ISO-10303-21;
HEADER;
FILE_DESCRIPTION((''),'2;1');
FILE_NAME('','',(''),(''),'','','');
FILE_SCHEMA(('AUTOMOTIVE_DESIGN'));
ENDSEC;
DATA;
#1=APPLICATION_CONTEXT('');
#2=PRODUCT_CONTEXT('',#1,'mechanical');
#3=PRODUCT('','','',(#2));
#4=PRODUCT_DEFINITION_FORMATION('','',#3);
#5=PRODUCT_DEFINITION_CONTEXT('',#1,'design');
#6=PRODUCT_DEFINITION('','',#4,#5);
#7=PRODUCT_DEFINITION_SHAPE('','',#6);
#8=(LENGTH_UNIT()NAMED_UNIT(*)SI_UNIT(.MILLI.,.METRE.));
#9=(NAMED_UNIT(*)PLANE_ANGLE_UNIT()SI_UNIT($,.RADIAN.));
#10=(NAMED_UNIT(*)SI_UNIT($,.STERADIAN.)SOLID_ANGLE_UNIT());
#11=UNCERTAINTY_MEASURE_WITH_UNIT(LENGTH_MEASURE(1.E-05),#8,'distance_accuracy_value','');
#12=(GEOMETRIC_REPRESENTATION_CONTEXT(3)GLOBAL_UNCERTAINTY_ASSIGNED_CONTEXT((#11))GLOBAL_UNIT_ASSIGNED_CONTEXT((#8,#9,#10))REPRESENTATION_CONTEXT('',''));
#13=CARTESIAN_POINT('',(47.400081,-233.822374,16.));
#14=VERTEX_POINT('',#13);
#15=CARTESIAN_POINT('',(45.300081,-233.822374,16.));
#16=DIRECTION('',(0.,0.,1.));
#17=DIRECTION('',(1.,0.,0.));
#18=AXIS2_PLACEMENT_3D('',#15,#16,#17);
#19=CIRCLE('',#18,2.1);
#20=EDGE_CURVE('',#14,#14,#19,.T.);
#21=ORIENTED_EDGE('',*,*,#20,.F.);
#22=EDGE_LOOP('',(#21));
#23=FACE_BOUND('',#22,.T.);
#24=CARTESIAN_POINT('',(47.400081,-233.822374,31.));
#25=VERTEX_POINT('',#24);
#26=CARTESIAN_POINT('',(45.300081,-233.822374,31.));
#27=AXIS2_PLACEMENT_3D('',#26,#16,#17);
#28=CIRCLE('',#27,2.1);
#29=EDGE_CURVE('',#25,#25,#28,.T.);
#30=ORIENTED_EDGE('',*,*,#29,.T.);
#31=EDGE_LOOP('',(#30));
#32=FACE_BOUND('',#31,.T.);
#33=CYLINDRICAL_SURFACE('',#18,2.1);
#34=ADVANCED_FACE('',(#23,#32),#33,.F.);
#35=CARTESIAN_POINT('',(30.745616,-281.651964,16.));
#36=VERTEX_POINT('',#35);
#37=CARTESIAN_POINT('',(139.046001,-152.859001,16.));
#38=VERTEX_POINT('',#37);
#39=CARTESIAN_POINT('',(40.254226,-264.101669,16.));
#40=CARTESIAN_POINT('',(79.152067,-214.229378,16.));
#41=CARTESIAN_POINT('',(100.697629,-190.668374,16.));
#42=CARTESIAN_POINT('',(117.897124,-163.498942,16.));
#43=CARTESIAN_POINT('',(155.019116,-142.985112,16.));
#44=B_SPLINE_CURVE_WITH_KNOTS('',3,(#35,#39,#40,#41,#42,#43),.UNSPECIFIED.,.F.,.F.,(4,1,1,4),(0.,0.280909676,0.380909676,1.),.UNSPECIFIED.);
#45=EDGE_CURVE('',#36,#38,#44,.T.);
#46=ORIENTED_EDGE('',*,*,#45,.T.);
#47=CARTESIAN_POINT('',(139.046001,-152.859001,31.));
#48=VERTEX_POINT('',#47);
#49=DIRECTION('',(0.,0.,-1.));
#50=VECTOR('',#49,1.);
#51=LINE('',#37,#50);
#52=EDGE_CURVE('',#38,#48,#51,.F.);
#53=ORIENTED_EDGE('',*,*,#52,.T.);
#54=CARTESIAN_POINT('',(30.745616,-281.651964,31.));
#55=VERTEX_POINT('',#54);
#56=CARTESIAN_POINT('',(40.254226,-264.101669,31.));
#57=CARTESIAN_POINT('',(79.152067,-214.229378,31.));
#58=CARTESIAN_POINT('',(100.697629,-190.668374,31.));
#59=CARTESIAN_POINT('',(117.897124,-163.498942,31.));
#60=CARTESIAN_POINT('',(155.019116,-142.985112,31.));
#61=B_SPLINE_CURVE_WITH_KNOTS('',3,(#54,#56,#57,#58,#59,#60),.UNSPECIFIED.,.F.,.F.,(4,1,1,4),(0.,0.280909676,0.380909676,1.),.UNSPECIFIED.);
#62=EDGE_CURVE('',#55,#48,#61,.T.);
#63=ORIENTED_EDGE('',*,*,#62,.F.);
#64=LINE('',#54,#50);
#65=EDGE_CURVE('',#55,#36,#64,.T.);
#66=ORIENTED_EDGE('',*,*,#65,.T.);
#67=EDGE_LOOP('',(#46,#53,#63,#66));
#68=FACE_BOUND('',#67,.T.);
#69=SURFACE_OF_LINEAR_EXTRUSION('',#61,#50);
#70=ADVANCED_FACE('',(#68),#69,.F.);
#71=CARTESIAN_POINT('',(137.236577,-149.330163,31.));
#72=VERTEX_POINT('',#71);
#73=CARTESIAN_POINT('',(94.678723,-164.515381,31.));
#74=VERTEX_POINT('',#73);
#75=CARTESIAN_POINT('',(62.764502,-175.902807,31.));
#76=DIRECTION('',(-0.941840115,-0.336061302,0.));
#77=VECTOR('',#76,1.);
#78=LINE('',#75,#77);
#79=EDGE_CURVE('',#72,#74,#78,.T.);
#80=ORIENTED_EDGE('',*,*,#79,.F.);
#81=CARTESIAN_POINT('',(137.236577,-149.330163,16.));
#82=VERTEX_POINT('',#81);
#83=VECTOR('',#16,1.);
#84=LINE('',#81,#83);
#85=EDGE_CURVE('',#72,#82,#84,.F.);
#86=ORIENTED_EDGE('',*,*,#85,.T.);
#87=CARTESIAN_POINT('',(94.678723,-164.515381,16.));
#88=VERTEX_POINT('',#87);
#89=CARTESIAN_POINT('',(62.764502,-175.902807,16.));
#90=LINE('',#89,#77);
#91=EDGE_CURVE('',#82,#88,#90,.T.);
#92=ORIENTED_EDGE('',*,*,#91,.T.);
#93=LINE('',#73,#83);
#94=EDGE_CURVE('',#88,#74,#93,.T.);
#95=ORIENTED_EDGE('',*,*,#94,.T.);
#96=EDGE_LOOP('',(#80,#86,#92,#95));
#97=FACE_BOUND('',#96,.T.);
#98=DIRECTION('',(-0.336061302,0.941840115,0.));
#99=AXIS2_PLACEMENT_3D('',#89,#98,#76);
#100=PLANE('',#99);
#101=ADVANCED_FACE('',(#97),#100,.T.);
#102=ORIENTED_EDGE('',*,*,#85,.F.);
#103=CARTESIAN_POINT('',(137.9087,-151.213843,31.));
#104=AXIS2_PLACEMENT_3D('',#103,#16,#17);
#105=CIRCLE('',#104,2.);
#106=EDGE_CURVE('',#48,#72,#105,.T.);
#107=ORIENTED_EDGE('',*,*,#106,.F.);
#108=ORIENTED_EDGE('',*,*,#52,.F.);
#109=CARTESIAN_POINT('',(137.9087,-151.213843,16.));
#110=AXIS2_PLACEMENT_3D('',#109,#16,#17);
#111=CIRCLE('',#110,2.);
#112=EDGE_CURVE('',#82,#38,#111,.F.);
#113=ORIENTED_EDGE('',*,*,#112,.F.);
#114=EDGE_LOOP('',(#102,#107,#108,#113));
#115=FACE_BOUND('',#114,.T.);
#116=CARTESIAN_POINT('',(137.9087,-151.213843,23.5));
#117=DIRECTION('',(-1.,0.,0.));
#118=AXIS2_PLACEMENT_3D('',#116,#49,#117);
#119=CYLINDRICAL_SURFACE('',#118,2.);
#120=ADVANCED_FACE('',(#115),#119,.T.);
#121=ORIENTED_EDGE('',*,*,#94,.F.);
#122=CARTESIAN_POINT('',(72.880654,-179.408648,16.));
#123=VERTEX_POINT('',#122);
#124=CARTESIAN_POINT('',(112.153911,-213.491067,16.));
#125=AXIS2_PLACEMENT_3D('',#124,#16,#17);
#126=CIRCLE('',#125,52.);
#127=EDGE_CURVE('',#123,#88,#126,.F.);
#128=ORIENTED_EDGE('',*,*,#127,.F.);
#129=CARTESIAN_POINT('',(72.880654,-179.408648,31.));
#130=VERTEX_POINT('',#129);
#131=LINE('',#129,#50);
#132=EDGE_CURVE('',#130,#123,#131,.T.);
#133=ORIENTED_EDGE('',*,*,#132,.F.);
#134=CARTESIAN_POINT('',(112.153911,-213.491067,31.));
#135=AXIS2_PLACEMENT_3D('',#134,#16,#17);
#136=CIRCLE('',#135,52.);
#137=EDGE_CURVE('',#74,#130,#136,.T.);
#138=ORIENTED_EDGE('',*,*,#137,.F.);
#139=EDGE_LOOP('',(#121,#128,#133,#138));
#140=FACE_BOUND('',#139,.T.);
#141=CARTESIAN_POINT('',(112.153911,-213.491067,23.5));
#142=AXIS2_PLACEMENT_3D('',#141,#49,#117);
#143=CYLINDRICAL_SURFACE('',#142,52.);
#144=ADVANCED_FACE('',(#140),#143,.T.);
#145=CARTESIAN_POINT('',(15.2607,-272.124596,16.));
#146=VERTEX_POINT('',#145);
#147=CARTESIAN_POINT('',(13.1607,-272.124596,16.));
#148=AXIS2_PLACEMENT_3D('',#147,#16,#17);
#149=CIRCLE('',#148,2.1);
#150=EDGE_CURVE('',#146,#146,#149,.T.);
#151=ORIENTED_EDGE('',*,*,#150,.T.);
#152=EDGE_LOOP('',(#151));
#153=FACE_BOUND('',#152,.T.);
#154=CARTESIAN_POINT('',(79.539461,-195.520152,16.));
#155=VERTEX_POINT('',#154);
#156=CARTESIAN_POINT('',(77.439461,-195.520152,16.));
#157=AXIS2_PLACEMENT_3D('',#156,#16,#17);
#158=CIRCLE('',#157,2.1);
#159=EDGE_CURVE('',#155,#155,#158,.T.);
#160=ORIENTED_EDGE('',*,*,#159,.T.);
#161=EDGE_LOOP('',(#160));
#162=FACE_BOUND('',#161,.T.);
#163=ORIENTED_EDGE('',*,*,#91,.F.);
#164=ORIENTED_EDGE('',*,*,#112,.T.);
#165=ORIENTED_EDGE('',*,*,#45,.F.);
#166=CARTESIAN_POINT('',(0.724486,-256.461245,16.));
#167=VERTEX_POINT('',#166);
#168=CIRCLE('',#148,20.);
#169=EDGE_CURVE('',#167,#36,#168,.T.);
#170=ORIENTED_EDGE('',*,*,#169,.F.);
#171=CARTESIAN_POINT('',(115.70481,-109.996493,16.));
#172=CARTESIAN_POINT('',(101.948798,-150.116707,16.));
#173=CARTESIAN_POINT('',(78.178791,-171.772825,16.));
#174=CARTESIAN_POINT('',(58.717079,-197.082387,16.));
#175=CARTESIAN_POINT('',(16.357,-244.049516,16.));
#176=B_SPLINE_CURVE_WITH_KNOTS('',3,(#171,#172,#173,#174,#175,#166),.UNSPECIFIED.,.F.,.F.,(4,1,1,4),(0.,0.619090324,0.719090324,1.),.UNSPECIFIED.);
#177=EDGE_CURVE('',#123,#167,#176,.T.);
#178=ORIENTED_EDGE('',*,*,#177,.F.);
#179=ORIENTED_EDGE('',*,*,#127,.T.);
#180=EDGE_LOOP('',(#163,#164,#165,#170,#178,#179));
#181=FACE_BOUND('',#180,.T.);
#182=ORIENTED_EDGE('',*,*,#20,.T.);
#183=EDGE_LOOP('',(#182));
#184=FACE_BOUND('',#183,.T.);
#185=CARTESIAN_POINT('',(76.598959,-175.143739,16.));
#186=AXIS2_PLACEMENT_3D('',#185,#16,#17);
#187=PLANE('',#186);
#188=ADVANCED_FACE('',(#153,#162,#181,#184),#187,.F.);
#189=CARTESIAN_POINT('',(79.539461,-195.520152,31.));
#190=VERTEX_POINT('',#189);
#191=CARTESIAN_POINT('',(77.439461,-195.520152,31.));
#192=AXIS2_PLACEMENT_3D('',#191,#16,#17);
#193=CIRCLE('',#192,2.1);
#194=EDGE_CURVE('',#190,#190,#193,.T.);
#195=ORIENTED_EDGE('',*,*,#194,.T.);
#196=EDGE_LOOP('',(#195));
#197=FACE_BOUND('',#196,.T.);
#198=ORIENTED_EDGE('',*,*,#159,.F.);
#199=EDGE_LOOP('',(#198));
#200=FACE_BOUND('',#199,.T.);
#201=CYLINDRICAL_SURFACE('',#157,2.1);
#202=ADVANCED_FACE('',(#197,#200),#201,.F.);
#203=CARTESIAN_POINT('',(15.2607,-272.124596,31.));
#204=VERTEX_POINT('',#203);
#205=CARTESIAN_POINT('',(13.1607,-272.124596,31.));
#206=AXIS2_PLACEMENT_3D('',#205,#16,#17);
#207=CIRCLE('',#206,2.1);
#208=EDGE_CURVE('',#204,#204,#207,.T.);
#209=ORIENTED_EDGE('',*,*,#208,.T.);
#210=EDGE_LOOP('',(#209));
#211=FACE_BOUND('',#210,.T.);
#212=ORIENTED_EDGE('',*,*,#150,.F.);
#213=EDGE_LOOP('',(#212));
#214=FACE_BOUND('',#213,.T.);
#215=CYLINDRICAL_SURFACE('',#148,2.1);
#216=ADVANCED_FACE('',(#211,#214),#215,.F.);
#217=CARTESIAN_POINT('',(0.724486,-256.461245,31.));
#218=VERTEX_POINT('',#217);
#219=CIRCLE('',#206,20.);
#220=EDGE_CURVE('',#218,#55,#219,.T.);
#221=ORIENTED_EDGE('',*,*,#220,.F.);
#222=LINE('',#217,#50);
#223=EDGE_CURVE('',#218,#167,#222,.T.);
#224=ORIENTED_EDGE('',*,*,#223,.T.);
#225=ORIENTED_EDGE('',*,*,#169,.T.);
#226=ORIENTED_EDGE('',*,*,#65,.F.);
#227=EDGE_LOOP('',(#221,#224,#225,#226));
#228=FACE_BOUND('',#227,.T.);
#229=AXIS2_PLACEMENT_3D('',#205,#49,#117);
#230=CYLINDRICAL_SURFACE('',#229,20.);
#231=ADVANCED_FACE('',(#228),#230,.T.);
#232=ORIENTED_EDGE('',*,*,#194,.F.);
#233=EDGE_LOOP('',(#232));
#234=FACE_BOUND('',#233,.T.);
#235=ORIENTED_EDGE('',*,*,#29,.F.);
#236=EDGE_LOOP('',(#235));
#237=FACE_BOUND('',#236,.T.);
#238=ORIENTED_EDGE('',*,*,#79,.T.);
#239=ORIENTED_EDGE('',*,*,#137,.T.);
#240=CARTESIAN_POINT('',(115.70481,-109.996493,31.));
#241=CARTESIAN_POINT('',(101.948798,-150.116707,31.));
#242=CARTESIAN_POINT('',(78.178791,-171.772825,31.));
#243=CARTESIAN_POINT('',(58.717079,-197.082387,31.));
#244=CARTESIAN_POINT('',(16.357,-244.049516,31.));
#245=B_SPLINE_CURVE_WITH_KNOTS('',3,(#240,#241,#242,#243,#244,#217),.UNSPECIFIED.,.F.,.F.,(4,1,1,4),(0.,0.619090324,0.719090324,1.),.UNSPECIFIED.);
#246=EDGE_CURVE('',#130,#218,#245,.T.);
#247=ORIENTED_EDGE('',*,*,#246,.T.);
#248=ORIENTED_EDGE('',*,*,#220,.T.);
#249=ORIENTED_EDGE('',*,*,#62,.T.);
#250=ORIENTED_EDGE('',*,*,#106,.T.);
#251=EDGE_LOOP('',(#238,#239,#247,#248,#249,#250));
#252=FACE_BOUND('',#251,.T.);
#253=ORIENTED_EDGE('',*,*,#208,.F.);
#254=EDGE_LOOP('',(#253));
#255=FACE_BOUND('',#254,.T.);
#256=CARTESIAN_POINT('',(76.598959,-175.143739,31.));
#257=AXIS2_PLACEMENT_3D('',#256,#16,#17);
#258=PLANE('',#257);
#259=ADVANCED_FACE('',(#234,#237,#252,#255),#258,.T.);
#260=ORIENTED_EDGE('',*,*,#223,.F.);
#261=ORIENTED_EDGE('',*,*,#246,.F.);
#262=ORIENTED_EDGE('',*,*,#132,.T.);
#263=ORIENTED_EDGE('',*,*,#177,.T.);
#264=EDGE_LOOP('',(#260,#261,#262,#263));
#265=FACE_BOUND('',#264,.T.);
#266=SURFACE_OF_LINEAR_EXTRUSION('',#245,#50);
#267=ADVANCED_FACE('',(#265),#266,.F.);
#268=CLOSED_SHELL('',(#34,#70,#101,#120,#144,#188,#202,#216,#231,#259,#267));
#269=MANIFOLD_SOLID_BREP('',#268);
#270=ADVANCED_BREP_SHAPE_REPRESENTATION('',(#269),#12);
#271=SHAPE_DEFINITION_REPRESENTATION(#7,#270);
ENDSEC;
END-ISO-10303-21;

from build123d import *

# Parameters (mm, degrees)
SKETCH3_R           = 1.6
BOSS_EXTRUDE1_DEPTH = 15
CUT_EXTRUDE1_START  = -15
SKETCH4_R           = 1.6
CUT_EXTRUDE1_DEPTH  = 15
FILLET3_R           = 2
SKETCH5_R           = 2.1
CUT_EXTRUDE2_DEPTH  = 15
FILLET4_R           = 52


with BuildPart() as part:
    # Sketch3 → Boss-Extrude1 (new body)
    with BuildSketch(Plane.XY.offset(16)):
        with BuildLine():
            ThreePointArc((155.019115612, -142.985112199), (159.394881243, -97.849485606), (115.704809966, -109.996492831))
            add(Edge.make_bspline(
                [(115.704809966, -109.996492831), (101.94879758, -150.116707379), (78.178790791, -171.772825461), (58.717079478, -197.082387325), (16.356999542, -244.049515564), (0.72448619, -256.46124476)],
                knots=[0, 0, 0, 0, 0.619090324, 0.719090324, 1, 1, 1, 1], degree=3))
            ThreePointArc((0.72448619, -256.46124476), (0.304947846, -287.445485278), (30.74561606, -281.651963762))
            add(Edge.make_bspline(
                [(155.019115612, -142.985112199), (117.897123756, -163.498941991), (100.69762913, -190.668374405), (79.152067085, -214.229377889), (40.254225745, -264.101669257), (30.74561606, -281.651963762)],
                knots=[0, 0, 0, 0, 0.619090324, 0.719090324, 1, 1, 1, 1], degree=3))
        make_face()
        with Locations((135.218221977, -112.415707792)):
            Circle(SKETCH3_R, mode=Mode.SUBTRACT)
        with Locations((148.218221977, -112.415707792)):
            Circle(SKETCH3_R, mode=Mode.SUBTRACT)
        with Locations((148.218221977, -125.415707792)):
            Circle(SKETCH3_R, mode=Mode.SUBTRACT)
        with Locations((135.218221977, -125.415707792)):
            Circle(SKETCH3_R, mode=Mode.SUBTRACT)
        with Locations((77.439461008, -195.520152104)):
            Circle(SKETCH3_R, mode=Mode.SUBTRACT)
        with Locations((45.300080524, -233.82237426)):
            Circle(SKETCH3_R, mode=Mode.SUBTRACT)
        with Locations((13.16070004, -272.124596416)):
            Circle(SKETCH3_R, mode=Mode.SUBTRACT)
    extrude(amount=BOSS_EXTRUDE1_DEPTH)

    # Sketch4 → Cut-Extrude1 (cut)
    with BuildSketch(Plane.XY.offset(31).offset(CUT_EXTRUDE1_START)):
        with BuildLine():
            Line((146.658363589, -145.968341691), (155.019115612, -142.985112199))
            ThreePointArc((155.019115612, -142.985112199), (160.577014812, -98.900815017), (116.900921238, -107.068700404))
            ThreePointArc((116.900921238, -107.068700404), (116.260741116, -108.51538721), (115.704809966, -109.996492831))
            add(Edge.make_bspline(
                [(115.704809966, -109.996492831), (106.087737983, -138.045245656), (93.191817184, -155.597417592), (81.785181072, -169.115971326)],
                knots=[0, 0, 0, 0, 0.432817014, 0.432817014, 0.432817014, 0.432817014], degree=3))
            Line((81.785181072, -169.115971326), (146.658363589, -145.968341691))
        make_face()
        with Locations((135.218221977, -125.415707792)):
            Circle(SKETCH4_R, mode=Mode.SUBTRACT)
        with Locations((148.218221977, -125.415707792)):
            Circle(SKETCH4_R, mode=Mode.SUBTRACT)
        with Locations((135.218221977, -112.415707792)):
            Circle(SKETCH4_R, mode=Mode.SUBTRACT)
        with Locations((148.218221977, -112.415707792)):
            Circle(SKETCH4_R, mode=Mode.SUBTRACT)
    extrude(amount=CUT_EXTRUDE1_DEPTH, mode=Mode.SUBTRACT)

    # Fillet3
    fillet3_edges = [part.edges().sort_by_distance(p)[0] for p in [
        (155.019115612, -142.985112199, 23.5),
    ]]
    fillet(fillet3_edges, radius=FILLET3_R)

    # Sketch5 → Cut-Extrude2 (cut)
    with BuildSketch(Plane.XY.offset(31)):
        with Locations((77.439461008, -195.520152104)):
            Circle(SKETCH5_R)
        with Locations((45.300080524, -233.82237426)):
            Circle(SKETCH5_R)
        with Locations((13.16070004, -272.124596416)):
            Circle(SKETCH5_R)
    extrude(amount=-CUT_EXTRUDE2_DEPTH, mode=Mode.SUBTRACT)

    # Fillet4
    fillet4_edges = [part.edges().sort_by_distance(p)[0] for p in [
        (81.785181072, -169.115971326, 23.5),
    ]]
    fillet(fillet4_edges, radius=FILLET4_R)


solid = part.part
